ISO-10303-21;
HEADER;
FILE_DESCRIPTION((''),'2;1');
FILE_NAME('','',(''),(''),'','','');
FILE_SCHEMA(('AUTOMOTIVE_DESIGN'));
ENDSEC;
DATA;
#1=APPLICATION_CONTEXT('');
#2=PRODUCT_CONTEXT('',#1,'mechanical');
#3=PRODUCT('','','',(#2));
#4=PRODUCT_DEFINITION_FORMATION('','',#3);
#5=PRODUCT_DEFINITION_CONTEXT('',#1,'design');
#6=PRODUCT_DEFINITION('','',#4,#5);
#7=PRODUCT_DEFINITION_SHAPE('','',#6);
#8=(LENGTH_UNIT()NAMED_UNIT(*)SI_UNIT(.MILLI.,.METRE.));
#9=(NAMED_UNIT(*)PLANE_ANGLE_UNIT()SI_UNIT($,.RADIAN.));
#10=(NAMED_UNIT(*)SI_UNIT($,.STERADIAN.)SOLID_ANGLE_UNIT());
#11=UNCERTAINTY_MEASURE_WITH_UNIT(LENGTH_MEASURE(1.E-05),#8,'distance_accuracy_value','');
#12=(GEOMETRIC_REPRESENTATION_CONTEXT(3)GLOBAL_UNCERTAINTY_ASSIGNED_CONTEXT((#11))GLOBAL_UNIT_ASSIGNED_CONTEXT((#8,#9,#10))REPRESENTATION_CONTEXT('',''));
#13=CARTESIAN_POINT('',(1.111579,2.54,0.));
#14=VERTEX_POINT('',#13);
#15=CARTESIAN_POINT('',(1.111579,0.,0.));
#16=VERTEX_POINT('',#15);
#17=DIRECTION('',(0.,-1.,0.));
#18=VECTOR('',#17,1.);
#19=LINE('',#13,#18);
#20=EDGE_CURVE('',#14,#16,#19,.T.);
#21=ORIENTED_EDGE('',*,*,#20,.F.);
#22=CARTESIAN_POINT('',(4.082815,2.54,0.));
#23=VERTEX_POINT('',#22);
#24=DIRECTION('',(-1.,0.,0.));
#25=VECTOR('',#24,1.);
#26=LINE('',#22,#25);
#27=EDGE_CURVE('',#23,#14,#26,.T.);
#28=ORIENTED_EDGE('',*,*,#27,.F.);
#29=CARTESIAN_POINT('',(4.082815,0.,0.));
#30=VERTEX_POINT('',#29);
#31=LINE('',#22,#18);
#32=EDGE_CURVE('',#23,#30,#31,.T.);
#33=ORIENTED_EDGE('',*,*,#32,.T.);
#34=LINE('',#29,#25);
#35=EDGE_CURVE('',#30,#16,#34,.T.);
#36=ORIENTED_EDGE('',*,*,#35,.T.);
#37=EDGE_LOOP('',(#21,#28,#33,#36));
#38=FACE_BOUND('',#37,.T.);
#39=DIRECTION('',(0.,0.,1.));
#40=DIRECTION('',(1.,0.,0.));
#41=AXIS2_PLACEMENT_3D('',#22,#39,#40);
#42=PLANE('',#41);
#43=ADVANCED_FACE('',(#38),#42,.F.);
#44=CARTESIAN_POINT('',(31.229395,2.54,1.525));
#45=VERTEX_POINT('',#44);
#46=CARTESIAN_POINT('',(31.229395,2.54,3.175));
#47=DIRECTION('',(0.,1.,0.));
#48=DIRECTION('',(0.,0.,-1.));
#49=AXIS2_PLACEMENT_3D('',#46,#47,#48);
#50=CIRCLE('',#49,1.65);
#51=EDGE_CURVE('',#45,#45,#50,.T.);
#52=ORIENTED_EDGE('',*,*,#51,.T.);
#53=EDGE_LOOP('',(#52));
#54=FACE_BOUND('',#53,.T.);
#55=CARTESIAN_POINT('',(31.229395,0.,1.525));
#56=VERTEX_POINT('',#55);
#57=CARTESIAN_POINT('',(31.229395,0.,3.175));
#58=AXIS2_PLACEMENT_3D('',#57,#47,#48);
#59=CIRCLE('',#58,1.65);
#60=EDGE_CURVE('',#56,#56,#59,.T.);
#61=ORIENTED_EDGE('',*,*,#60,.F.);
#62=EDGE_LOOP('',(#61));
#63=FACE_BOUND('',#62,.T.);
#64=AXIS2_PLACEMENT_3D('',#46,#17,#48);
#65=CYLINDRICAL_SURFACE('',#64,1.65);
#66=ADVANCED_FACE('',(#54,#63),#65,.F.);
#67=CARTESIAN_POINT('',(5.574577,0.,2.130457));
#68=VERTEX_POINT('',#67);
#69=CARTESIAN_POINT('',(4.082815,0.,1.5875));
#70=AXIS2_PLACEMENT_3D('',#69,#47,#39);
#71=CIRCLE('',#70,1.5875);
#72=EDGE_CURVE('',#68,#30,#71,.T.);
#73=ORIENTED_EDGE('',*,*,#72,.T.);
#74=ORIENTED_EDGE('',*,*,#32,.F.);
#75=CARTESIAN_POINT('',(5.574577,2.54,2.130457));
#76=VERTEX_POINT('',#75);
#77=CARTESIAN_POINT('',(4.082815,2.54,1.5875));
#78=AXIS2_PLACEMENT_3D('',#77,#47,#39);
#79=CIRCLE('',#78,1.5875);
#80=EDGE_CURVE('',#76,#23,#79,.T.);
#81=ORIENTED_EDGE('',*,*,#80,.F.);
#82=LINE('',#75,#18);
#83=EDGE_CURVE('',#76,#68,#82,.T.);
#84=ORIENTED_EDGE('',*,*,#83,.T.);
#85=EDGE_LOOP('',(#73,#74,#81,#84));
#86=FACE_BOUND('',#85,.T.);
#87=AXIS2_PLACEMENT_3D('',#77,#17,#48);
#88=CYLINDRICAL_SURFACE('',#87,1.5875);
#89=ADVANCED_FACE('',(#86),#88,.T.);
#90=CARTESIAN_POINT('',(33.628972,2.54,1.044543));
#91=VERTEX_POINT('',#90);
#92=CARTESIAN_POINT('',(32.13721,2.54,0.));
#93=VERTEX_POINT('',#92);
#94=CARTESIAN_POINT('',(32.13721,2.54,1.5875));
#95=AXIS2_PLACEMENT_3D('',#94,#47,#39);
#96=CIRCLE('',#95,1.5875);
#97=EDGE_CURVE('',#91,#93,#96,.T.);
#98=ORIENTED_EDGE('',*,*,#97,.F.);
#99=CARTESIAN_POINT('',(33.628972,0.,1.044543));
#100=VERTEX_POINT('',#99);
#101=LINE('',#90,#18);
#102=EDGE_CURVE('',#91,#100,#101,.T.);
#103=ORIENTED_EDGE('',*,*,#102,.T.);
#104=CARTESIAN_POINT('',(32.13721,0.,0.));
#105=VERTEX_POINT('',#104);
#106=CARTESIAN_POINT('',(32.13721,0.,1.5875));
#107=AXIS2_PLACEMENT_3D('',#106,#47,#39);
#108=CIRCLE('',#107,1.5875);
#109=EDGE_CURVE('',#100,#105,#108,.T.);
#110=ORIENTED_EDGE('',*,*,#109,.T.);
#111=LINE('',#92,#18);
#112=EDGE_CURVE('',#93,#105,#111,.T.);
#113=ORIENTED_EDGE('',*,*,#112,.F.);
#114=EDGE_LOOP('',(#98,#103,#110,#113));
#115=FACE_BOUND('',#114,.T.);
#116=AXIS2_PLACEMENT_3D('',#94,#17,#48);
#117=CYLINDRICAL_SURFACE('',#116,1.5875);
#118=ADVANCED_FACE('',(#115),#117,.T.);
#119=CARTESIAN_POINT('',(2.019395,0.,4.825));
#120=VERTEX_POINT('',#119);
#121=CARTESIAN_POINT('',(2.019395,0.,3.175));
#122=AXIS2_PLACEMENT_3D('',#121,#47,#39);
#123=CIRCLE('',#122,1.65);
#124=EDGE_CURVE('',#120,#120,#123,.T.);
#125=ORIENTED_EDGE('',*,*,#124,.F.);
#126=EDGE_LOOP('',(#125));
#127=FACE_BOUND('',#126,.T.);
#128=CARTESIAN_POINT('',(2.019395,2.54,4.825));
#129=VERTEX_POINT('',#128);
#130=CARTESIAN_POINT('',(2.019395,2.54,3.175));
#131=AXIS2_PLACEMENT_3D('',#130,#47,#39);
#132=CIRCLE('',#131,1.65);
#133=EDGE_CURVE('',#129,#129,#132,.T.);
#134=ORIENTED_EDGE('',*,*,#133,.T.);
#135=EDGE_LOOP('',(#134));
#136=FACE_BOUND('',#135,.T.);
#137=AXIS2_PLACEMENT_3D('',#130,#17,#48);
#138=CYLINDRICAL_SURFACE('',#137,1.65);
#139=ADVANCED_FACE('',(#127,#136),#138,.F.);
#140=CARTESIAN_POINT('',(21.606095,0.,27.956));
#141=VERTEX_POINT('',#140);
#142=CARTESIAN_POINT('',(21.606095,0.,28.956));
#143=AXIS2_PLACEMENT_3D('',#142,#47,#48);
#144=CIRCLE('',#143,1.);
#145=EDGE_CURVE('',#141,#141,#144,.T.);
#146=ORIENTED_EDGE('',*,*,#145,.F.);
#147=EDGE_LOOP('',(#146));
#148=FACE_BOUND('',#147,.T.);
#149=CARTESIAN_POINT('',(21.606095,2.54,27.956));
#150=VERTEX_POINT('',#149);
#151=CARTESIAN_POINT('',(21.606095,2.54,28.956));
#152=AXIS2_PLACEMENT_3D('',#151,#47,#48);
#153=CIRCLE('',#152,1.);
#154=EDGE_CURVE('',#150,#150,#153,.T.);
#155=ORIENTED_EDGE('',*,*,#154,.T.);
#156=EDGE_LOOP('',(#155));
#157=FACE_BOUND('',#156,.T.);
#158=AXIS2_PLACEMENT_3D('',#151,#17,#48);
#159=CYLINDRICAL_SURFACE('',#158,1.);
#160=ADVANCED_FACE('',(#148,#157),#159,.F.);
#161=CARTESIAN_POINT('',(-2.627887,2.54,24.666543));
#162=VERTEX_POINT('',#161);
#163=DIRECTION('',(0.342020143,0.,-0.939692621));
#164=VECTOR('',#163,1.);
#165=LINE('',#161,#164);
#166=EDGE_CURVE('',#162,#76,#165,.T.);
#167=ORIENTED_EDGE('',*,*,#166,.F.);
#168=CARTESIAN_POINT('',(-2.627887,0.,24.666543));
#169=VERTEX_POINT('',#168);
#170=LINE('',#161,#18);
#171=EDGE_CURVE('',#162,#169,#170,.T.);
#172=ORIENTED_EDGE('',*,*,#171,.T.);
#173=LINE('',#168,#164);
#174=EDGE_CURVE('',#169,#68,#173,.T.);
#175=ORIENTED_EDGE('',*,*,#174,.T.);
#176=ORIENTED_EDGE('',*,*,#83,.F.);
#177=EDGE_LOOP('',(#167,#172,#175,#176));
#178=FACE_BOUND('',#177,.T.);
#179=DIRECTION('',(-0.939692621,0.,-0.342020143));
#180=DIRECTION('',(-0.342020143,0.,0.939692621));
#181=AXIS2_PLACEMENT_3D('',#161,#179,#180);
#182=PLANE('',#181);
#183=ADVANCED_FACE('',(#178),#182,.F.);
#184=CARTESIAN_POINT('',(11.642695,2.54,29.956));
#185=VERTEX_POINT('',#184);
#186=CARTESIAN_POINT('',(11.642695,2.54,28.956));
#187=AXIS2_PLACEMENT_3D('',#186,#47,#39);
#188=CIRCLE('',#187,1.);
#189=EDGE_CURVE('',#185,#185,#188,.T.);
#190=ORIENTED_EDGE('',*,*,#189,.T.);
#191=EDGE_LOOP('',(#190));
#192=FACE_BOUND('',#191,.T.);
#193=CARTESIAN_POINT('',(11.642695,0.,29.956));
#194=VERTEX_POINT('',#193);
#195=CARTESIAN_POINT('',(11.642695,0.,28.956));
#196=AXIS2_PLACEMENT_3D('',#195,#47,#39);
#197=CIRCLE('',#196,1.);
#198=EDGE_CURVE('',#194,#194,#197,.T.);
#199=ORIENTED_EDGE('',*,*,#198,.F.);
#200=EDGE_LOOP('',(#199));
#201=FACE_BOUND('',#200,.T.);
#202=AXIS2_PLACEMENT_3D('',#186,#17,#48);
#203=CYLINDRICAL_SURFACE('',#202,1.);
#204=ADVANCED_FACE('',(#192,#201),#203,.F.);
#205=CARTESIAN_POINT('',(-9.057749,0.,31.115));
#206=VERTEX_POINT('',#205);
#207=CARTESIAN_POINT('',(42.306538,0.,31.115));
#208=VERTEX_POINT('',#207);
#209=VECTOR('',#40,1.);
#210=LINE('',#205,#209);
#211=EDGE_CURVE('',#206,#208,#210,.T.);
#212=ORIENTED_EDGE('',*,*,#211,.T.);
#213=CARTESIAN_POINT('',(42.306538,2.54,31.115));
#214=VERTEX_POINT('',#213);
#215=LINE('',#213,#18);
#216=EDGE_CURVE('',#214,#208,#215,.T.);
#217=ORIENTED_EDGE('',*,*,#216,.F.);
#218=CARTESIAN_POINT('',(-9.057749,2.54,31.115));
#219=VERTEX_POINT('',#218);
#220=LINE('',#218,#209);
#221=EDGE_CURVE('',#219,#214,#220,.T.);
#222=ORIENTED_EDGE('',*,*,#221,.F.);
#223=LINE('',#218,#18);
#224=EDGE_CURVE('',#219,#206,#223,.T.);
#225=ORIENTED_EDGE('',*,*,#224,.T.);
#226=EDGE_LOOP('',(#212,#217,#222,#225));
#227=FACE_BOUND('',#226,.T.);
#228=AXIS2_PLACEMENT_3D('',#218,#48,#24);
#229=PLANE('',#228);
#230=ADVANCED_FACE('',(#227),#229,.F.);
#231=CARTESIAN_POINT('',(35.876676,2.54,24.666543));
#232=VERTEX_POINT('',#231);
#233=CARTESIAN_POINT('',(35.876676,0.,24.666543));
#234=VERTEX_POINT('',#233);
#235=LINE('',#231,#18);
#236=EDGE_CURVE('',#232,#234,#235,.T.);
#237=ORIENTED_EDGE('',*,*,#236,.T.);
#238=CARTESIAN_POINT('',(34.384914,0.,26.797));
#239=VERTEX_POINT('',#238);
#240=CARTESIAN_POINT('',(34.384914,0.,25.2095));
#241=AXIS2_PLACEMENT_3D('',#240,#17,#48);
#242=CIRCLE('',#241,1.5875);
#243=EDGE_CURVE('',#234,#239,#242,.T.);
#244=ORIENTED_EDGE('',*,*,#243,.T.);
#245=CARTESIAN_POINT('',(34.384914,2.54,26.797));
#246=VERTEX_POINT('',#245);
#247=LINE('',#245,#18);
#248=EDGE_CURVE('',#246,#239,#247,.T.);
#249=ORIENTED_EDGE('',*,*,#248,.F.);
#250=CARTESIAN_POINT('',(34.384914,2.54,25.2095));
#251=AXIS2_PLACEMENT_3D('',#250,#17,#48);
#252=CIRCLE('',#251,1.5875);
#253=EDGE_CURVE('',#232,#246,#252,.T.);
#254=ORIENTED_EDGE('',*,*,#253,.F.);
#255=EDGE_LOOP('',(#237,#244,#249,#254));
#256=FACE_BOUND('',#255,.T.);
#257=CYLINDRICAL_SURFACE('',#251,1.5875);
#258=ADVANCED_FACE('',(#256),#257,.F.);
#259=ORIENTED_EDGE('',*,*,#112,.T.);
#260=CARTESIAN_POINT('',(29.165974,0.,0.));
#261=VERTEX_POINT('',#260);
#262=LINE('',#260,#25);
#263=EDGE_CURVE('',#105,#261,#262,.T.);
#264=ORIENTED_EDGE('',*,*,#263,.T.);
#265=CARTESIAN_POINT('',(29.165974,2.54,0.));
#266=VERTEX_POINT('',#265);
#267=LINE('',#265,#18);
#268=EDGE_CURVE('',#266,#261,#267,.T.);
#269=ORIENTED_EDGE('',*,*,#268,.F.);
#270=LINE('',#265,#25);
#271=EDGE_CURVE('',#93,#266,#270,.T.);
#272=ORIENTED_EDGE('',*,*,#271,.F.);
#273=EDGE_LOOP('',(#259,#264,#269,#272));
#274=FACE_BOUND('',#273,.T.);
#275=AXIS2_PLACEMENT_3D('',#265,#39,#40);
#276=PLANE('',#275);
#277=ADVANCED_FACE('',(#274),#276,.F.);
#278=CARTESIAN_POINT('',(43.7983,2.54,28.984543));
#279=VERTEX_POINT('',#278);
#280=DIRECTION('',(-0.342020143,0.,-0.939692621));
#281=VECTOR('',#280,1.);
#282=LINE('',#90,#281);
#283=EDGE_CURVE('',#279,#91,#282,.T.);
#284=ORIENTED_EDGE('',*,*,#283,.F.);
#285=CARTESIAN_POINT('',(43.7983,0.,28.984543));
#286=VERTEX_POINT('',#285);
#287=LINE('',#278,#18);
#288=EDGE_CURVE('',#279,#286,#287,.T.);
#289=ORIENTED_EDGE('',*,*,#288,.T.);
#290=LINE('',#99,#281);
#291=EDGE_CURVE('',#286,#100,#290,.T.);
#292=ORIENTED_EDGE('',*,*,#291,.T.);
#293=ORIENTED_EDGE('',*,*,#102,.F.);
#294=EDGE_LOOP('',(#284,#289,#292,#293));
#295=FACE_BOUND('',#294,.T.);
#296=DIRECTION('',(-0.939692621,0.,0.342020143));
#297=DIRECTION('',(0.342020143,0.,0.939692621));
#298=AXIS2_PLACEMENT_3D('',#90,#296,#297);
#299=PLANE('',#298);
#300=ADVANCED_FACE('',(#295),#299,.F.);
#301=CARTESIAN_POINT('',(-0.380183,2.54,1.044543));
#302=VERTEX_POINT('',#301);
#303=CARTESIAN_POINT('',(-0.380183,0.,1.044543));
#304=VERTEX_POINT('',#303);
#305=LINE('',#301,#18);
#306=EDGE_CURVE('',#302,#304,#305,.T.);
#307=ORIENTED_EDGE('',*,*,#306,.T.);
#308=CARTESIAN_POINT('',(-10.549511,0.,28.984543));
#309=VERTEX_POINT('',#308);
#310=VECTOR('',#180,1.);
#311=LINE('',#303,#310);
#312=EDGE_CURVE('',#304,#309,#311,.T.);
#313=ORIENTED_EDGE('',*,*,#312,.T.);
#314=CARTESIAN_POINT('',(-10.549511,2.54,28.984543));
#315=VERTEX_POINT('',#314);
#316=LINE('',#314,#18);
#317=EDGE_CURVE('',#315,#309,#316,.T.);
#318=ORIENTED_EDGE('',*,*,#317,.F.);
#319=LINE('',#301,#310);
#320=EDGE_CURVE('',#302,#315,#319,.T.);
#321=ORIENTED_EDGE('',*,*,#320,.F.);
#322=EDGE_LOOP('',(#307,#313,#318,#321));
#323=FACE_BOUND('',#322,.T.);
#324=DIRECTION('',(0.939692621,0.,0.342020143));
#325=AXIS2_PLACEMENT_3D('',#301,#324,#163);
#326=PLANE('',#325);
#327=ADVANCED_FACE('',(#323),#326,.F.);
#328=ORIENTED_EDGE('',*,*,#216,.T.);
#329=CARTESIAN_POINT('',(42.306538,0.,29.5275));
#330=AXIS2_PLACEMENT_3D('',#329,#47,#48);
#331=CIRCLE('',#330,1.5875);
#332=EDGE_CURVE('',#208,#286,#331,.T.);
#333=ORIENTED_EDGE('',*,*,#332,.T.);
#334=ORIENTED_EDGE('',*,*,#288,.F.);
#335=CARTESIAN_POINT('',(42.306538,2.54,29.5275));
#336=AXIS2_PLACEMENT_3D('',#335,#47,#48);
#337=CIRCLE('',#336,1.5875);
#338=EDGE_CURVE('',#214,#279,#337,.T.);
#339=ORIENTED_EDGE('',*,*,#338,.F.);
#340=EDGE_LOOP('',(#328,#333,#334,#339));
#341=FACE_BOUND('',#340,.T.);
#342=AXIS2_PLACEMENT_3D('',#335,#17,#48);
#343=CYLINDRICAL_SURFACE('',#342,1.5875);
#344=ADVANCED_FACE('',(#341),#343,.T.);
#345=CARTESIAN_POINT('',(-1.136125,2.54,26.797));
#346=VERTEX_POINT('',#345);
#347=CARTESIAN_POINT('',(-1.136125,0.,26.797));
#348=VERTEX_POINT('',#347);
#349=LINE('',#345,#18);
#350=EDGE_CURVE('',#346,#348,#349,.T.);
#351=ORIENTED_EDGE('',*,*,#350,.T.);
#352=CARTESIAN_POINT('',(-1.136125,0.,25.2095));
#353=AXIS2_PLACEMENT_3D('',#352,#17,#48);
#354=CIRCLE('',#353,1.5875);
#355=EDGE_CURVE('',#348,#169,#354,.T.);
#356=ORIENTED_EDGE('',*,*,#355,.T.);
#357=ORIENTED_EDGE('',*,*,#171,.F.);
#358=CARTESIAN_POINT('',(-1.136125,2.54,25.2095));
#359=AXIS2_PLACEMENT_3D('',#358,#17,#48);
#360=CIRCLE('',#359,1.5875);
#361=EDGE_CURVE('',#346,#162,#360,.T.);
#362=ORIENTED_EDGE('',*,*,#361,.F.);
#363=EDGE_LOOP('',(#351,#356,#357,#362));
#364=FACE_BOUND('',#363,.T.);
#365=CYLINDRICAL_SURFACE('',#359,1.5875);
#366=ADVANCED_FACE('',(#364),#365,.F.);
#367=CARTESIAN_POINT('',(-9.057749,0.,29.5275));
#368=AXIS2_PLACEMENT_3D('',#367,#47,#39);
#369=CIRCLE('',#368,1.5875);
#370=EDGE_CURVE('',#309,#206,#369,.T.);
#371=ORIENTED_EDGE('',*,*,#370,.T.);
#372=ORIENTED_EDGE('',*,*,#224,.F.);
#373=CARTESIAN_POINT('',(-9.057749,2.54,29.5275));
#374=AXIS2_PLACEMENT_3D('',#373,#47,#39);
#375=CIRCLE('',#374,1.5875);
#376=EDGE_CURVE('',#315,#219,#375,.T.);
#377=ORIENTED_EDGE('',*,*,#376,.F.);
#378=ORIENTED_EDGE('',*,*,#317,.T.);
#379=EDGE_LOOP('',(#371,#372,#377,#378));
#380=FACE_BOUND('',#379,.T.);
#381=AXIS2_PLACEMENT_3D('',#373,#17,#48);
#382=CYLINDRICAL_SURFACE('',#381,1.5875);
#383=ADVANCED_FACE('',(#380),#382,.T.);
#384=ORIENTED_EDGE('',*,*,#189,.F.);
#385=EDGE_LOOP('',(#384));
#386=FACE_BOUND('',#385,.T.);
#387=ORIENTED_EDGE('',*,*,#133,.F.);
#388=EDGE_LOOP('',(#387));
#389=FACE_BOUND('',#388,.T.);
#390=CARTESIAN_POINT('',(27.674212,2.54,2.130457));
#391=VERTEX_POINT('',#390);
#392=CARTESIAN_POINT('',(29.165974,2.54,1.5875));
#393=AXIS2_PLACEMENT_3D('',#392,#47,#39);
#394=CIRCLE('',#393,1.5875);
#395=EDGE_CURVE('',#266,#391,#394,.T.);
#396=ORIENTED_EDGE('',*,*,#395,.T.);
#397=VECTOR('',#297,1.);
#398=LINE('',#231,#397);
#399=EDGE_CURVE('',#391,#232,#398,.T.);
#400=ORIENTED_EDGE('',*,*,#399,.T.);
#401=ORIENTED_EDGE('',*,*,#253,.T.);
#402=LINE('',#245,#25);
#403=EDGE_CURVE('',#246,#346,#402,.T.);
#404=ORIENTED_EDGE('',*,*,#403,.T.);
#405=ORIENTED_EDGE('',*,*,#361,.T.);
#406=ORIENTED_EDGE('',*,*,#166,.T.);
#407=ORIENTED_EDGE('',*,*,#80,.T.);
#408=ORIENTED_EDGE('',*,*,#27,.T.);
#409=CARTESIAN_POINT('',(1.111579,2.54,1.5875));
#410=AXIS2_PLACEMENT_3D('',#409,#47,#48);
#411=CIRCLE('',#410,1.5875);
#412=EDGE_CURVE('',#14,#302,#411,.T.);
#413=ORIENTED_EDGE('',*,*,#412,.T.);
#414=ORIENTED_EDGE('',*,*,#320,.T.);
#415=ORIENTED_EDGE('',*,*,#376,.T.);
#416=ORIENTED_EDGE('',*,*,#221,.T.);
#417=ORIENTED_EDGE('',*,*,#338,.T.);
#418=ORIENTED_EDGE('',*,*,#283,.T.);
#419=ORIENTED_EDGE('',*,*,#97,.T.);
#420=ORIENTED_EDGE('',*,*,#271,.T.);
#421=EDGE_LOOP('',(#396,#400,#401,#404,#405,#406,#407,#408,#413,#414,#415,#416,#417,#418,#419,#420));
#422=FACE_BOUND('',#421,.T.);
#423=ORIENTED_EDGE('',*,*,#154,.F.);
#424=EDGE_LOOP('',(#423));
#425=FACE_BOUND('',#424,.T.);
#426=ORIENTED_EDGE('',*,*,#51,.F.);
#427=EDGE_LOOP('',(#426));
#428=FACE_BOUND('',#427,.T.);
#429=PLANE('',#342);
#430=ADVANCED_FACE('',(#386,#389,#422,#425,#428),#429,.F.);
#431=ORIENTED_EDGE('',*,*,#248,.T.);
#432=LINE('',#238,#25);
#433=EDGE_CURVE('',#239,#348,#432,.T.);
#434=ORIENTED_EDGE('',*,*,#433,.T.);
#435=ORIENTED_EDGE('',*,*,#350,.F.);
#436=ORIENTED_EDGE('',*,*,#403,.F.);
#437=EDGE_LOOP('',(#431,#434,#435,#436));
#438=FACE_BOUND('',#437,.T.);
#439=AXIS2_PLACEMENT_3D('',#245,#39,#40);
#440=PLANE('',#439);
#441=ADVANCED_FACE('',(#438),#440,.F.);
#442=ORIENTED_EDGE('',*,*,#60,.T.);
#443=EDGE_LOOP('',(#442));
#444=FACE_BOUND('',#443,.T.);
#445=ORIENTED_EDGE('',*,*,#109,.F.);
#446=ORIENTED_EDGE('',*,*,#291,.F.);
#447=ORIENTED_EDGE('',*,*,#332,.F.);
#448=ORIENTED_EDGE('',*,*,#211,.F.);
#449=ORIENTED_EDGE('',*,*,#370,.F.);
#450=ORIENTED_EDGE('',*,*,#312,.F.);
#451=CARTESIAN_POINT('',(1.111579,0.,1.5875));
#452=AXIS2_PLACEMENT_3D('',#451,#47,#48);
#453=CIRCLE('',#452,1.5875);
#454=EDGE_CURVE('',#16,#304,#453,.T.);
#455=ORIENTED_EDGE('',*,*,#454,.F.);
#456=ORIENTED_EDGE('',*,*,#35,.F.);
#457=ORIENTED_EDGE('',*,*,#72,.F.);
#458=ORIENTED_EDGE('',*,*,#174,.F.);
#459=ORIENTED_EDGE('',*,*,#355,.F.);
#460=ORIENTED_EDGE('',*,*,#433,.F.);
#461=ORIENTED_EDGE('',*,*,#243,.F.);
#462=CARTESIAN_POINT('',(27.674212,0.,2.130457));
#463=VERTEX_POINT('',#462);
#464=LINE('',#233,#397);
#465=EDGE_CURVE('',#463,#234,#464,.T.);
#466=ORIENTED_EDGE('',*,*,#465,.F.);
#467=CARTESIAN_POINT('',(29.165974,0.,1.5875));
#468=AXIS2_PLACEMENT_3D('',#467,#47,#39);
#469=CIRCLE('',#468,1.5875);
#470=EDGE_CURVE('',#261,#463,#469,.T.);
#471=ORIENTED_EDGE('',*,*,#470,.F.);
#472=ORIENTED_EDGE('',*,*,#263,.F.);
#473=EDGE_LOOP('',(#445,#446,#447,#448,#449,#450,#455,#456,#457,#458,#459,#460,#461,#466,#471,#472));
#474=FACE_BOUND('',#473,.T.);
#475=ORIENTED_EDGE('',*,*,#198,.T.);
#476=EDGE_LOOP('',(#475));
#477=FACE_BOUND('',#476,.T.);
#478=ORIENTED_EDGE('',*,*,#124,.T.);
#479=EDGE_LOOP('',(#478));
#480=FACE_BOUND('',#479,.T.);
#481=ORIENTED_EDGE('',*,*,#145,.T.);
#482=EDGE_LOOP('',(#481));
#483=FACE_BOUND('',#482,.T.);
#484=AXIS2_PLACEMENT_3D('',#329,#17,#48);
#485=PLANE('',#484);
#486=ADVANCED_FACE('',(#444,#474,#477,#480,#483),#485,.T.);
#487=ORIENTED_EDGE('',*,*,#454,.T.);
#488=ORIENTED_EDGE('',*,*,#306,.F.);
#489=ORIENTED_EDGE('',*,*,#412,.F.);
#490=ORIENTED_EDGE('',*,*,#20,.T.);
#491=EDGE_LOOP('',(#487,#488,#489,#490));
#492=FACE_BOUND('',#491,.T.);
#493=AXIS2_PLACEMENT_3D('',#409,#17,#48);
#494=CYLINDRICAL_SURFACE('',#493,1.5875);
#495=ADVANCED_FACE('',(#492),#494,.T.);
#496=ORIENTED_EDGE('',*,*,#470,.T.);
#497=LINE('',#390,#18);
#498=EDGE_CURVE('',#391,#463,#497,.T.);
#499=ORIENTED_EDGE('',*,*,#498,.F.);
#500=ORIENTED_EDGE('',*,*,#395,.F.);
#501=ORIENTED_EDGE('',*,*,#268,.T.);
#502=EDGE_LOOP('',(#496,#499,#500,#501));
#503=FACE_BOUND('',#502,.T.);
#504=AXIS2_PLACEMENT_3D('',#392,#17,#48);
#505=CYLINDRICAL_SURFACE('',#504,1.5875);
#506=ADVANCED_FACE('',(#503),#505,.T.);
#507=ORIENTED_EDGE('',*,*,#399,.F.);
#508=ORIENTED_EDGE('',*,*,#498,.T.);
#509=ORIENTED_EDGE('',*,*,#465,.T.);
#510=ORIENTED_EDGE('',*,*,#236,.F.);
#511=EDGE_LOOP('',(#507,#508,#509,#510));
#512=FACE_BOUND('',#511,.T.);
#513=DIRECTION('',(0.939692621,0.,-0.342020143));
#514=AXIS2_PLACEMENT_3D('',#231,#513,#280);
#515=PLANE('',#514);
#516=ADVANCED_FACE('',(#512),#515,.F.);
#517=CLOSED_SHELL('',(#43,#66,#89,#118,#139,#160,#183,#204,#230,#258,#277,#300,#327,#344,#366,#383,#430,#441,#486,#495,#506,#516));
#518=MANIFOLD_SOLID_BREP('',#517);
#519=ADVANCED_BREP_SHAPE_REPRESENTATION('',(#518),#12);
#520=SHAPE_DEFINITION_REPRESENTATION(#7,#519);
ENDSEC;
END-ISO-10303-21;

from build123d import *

# Parameters (mm, degrees)
SKETCH2_R           = 1.65
SKETCH2_R_2         = 1
BOSS_EXTRUDE1_DEPTH = 2.54


with BuildPart() as part:
    # Sketch2 → Boss-Extrude1 (new body)
    with BuildSketch(Plane(origin=(0, 0, 0), x_dir=(1, 0, 0), z_dir=(0, 1, 0))):
        with BuildLine():
            Line((-0.380182569, -1.044543022), (-10.549510914, -28.984543022))
            ThreePointArc((-10.549510914, -28.984543022), (-10.358152749, -30.438052593), (-9.057748878, -31.115))
            Line((-9.057748878, -31.115), (42.306537891, -31.115))
            ThreePointArc((42.306537891, -31.115), (43.606941761, -30.438052593), (43.798299926, -28.984543022))
            Line((43.798299926, -28.984543022), (33.628971581, -1.044543022))
            ThreePointArc((33.628971581, -1.044543022), (33.047762138, -0.28709613), (32.137209546, 0))
            Line((32.137209546, 0), (29.165973973, 0))
            ThreePointArc((29.165973973, 0), (27.865570103, -0.676947407), (27.674211938, -2.130456978))
            Line((27.674211938, -2.130456978), (35.876676455, -24.666543022))
            ThreePointArc((35.876676455, -24.666543022), (35.68531829, -26.120052593), (34.384914419, -26.797))
            Line((34.384914419, -26.797), (-1.136125407, -26.797))
            ThreePointArc((-1.136125407, -26.797), (-2.436529277, -26.120052593), (-2.627887442, -24.666543022))
            Line((-2.627887442, -24.666543022), (5.574577075, -2.130456978))
            ThreePointArc((5.574577075, -2.130456978), (5.38321891, -0.676947407), (4.082815039, 0))
            Line((4.082815039, 0), (1.111579467, 0))
            ThreePointArc((1.111579467, 0), (0.201026874, -0.28709613), (-0.380182569, -1.044543022))
        make_face()
        with Locations(Location((2.019394506, -3.175, 0), (0, 0, 270))):
            Circle(SKETCH2_R, mode=Mode.SUBTRACT)
        with Locations(Location((11.642694506, -28.956, 0), (0, 0, 270))):
            Circle(SKETCH2_R_2, mode=Mode.SUBTRACT)
        with Locations(Location((21.606094506, -28.956, 0), (0, 0, 90))):
            Circle(SKETCH2_R_2, mode=Mode.SUBTRACT)
        with Locations(Location((31.229394506, -3.175, 0), (0, 0, 90))):
            Circle(SKETCH2_R, mode=Mode.SUBTRACT)
    extrude(amount=BOSS_EXTRUDE1_DEPTH)


solid = part.part
